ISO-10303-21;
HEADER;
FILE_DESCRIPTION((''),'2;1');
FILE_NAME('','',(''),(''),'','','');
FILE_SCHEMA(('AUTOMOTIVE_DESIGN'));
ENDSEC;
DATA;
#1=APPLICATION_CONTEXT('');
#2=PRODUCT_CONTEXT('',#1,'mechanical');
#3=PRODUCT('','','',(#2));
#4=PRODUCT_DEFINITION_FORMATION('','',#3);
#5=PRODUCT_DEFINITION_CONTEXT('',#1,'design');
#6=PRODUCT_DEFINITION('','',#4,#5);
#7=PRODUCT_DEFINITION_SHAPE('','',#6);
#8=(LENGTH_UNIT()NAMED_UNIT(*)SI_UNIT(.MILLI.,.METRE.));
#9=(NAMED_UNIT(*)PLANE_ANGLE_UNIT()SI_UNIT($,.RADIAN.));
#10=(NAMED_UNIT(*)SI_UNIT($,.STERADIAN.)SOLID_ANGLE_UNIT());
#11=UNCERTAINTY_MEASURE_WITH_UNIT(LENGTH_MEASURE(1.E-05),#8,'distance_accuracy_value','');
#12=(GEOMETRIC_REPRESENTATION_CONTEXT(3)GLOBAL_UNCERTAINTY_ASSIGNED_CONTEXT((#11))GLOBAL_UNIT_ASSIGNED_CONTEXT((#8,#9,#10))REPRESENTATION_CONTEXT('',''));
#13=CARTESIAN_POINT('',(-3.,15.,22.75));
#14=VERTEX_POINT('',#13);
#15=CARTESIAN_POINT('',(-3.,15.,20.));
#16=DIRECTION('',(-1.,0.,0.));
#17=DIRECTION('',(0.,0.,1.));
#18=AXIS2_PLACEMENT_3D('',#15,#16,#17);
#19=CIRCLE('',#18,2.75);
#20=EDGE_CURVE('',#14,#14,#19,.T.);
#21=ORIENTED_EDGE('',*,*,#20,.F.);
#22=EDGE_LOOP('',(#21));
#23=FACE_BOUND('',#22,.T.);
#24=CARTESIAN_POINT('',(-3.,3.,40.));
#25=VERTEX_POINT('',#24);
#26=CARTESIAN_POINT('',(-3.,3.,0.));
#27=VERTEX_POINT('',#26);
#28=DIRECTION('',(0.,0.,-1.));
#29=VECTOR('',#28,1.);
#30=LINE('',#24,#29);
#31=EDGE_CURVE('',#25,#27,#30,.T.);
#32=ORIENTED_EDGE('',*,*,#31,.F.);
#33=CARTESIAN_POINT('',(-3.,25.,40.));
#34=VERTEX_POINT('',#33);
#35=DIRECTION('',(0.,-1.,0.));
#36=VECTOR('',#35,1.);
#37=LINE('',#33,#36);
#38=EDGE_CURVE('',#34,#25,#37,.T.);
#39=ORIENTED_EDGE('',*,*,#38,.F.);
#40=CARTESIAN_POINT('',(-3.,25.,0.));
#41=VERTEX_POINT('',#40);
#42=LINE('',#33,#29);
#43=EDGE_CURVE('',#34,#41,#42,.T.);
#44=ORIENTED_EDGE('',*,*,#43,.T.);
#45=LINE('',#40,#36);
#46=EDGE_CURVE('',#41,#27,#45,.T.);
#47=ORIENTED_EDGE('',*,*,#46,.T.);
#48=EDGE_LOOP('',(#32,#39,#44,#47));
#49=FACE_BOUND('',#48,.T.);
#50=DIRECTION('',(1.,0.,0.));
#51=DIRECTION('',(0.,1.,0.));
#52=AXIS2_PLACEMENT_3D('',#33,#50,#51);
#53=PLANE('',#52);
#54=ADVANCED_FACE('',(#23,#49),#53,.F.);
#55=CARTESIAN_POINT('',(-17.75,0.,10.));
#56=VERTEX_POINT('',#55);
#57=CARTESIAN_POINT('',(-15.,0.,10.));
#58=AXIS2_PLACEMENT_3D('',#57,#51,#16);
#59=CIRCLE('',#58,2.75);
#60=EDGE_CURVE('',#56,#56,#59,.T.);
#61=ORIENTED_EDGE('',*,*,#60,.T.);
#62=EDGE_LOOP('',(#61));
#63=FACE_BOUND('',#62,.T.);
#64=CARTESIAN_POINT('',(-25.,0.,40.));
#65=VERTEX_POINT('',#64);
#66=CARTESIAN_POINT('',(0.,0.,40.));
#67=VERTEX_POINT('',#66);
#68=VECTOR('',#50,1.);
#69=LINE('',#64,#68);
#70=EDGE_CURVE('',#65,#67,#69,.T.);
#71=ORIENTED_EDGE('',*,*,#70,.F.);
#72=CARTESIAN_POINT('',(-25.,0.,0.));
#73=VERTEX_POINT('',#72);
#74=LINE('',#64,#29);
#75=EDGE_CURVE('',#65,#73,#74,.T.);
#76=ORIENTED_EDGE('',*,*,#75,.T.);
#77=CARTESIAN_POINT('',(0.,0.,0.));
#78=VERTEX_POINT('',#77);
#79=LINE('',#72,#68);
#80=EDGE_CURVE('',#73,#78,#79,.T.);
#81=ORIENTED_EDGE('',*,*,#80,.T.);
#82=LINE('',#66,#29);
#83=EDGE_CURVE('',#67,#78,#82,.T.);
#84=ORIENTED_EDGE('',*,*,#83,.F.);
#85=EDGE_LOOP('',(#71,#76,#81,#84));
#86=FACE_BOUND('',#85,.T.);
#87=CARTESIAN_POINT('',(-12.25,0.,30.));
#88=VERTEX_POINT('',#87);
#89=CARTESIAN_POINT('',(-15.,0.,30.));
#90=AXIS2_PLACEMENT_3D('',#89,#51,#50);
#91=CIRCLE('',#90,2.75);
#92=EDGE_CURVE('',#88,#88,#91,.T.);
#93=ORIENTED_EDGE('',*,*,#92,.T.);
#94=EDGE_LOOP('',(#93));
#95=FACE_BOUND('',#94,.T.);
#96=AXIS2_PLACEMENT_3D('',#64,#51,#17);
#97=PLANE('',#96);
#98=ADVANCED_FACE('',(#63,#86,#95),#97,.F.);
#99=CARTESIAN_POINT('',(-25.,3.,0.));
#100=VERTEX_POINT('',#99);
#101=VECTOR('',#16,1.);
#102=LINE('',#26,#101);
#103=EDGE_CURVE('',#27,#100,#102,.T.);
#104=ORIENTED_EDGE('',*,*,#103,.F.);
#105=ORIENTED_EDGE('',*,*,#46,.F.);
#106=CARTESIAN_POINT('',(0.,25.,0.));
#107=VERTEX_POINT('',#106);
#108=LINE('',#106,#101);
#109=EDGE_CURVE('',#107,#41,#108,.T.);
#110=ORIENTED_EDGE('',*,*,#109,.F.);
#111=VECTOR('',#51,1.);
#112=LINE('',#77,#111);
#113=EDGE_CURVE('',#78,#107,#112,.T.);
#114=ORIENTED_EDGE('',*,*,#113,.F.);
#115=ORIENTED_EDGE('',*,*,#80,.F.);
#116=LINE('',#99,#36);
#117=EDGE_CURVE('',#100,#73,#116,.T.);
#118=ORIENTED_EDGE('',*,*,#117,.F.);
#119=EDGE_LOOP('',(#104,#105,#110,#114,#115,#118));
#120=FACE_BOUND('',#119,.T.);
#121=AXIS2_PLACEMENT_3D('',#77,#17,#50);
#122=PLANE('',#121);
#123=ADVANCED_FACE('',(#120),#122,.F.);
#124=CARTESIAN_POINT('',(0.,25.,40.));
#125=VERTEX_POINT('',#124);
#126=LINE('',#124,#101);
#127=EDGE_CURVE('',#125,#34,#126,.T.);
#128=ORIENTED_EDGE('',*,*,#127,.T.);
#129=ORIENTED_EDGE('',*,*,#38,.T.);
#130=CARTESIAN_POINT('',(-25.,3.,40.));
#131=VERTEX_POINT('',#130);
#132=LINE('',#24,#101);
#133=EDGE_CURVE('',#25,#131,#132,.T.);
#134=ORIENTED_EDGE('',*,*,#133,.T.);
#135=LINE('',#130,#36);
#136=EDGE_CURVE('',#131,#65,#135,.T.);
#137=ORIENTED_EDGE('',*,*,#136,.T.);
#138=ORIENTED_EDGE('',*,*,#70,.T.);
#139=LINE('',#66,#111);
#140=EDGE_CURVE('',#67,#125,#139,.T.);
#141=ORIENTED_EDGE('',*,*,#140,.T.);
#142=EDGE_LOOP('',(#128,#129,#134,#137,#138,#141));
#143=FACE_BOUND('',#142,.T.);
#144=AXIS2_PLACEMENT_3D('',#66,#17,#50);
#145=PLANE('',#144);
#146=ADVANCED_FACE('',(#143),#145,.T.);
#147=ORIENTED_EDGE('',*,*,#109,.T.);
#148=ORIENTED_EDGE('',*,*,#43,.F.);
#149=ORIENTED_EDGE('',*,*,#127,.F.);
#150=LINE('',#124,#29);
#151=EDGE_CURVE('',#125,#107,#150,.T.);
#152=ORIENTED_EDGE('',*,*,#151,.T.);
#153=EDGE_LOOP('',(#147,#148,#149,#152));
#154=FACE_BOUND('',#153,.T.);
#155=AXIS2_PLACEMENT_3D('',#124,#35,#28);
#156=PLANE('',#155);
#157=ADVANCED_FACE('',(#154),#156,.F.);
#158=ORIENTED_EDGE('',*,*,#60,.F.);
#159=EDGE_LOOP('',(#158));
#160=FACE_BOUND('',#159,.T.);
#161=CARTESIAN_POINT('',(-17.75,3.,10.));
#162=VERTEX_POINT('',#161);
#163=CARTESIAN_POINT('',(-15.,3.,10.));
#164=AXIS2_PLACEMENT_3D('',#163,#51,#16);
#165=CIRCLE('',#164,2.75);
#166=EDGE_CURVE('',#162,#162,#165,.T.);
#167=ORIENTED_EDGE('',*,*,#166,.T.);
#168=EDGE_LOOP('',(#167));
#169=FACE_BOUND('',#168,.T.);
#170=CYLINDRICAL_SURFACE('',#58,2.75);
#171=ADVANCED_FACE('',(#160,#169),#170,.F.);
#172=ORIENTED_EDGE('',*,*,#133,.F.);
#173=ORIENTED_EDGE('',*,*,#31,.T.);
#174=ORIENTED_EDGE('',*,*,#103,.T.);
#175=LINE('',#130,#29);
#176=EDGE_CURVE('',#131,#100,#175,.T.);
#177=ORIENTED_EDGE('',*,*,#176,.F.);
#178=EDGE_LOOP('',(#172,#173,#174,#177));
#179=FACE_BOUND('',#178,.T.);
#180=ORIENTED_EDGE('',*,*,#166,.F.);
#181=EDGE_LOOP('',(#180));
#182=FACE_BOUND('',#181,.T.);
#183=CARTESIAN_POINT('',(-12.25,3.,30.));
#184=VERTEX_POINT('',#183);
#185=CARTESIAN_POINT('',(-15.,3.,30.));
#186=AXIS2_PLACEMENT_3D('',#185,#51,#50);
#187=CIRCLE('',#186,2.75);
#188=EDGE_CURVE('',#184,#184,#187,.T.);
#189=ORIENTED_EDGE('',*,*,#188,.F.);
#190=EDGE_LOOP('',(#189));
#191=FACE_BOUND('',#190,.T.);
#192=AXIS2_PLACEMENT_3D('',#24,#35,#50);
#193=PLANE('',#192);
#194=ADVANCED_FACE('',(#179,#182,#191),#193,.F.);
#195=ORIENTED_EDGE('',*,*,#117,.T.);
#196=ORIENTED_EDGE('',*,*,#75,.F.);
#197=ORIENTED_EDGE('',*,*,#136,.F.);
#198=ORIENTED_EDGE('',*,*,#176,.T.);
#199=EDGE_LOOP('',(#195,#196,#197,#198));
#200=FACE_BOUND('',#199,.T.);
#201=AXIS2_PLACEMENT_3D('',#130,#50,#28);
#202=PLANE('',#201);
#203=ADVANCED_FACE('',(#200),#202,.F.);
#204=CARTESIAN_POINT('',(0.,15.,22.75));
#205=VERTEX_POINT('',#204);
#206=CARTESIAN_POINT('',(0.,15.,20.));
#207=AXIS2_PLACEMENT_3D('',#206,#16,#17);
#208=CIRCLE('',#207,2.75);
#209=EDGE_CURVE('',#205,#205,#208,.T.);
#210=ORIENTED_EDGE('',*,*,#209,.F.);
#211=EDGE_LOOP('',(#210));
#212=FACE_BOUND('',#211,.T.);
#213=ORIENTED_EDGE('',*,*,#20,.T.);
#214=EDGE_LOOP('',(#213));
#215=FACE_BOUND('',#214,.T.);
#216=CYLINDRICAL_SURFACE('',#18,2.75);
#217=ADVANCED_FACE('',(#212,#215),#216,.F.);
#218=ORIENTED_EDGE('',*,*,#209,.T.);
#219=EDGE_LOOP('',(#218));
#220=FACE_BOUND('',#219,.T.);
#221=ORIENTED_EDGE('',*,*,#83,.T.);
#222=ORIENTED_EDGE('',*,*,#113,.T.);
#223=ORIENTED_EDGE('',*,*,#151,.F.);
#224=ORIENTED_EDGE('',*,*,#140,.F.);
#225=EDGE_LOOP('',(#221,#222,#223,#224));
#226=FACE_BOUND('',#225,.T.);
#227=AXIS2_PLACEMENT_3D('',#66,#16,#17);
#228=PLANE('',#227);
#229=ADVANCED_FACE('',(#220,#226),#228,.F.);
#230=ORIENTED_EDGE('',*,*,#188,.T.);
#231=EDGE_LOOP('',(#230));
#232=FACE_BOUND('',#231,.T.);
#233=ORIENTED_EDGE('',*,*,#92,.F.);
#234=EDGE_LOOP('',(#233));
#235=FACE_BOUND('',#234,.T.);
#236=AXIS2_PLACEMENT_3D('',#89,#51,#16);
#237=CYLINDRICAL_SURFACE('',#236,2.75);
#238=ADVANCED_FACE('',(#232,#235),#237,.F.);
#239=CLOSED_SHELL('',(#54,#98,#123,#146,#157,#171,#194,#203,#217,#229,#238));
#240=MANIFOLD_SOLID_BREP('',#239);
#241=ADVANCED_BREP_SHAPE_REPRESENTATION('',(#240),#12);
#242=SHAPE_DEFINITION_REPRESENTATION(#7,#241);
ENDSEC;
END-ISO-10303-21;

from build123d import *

# Parameters (mm, degrees)
BOSS_EXTRUDE1_DEPTH        = 40
SKETCH2_R                  = 2.75
CUT_EXTRUDE1_DEPTH         = 53.048054719
F_5_0_5_5_DIAMETER_HOLE1_D = 5.5


with BuildPart() as part:
    # Sketch1 → Boss-Extrude1 (new body)
    with BuildSketch(Plane.XY):
        Polygon((0, 0), (0, 25), (-3, 25), (-3, 3), (-25, 3), (-25, 0), align=None)
    extrude(amount=BOSS_EXTRUDE1_DEPTH)

    # Sketch2 → Cut-Extrude1 (cut, through all)
    with BuildSketch(Plane(origin=(0, 3, 0), x_dir=(1, 0, 0), z_dir=(0, 1, 0))):
        with Locations(Location((-15, -10, 0), (0, 0, 180))):
            Circle(SKETCH2_R)
        with Locations((-15, -30)):
            Circle(SKETCH2_R)
    extrude(amount=-CUT_EXTRUDE1_DEPTH, mode=Mode.SUBTRACT)

    # Ø5.0 (5.5) Diameter Hole1 (through all)
    with Locations(Plane.ZY.offset(3)):
        with Locations((20, 15)):
            Hole(F_5_0_5_5_DIAMETER_HOLE1_D / 2)


solid = part.part
